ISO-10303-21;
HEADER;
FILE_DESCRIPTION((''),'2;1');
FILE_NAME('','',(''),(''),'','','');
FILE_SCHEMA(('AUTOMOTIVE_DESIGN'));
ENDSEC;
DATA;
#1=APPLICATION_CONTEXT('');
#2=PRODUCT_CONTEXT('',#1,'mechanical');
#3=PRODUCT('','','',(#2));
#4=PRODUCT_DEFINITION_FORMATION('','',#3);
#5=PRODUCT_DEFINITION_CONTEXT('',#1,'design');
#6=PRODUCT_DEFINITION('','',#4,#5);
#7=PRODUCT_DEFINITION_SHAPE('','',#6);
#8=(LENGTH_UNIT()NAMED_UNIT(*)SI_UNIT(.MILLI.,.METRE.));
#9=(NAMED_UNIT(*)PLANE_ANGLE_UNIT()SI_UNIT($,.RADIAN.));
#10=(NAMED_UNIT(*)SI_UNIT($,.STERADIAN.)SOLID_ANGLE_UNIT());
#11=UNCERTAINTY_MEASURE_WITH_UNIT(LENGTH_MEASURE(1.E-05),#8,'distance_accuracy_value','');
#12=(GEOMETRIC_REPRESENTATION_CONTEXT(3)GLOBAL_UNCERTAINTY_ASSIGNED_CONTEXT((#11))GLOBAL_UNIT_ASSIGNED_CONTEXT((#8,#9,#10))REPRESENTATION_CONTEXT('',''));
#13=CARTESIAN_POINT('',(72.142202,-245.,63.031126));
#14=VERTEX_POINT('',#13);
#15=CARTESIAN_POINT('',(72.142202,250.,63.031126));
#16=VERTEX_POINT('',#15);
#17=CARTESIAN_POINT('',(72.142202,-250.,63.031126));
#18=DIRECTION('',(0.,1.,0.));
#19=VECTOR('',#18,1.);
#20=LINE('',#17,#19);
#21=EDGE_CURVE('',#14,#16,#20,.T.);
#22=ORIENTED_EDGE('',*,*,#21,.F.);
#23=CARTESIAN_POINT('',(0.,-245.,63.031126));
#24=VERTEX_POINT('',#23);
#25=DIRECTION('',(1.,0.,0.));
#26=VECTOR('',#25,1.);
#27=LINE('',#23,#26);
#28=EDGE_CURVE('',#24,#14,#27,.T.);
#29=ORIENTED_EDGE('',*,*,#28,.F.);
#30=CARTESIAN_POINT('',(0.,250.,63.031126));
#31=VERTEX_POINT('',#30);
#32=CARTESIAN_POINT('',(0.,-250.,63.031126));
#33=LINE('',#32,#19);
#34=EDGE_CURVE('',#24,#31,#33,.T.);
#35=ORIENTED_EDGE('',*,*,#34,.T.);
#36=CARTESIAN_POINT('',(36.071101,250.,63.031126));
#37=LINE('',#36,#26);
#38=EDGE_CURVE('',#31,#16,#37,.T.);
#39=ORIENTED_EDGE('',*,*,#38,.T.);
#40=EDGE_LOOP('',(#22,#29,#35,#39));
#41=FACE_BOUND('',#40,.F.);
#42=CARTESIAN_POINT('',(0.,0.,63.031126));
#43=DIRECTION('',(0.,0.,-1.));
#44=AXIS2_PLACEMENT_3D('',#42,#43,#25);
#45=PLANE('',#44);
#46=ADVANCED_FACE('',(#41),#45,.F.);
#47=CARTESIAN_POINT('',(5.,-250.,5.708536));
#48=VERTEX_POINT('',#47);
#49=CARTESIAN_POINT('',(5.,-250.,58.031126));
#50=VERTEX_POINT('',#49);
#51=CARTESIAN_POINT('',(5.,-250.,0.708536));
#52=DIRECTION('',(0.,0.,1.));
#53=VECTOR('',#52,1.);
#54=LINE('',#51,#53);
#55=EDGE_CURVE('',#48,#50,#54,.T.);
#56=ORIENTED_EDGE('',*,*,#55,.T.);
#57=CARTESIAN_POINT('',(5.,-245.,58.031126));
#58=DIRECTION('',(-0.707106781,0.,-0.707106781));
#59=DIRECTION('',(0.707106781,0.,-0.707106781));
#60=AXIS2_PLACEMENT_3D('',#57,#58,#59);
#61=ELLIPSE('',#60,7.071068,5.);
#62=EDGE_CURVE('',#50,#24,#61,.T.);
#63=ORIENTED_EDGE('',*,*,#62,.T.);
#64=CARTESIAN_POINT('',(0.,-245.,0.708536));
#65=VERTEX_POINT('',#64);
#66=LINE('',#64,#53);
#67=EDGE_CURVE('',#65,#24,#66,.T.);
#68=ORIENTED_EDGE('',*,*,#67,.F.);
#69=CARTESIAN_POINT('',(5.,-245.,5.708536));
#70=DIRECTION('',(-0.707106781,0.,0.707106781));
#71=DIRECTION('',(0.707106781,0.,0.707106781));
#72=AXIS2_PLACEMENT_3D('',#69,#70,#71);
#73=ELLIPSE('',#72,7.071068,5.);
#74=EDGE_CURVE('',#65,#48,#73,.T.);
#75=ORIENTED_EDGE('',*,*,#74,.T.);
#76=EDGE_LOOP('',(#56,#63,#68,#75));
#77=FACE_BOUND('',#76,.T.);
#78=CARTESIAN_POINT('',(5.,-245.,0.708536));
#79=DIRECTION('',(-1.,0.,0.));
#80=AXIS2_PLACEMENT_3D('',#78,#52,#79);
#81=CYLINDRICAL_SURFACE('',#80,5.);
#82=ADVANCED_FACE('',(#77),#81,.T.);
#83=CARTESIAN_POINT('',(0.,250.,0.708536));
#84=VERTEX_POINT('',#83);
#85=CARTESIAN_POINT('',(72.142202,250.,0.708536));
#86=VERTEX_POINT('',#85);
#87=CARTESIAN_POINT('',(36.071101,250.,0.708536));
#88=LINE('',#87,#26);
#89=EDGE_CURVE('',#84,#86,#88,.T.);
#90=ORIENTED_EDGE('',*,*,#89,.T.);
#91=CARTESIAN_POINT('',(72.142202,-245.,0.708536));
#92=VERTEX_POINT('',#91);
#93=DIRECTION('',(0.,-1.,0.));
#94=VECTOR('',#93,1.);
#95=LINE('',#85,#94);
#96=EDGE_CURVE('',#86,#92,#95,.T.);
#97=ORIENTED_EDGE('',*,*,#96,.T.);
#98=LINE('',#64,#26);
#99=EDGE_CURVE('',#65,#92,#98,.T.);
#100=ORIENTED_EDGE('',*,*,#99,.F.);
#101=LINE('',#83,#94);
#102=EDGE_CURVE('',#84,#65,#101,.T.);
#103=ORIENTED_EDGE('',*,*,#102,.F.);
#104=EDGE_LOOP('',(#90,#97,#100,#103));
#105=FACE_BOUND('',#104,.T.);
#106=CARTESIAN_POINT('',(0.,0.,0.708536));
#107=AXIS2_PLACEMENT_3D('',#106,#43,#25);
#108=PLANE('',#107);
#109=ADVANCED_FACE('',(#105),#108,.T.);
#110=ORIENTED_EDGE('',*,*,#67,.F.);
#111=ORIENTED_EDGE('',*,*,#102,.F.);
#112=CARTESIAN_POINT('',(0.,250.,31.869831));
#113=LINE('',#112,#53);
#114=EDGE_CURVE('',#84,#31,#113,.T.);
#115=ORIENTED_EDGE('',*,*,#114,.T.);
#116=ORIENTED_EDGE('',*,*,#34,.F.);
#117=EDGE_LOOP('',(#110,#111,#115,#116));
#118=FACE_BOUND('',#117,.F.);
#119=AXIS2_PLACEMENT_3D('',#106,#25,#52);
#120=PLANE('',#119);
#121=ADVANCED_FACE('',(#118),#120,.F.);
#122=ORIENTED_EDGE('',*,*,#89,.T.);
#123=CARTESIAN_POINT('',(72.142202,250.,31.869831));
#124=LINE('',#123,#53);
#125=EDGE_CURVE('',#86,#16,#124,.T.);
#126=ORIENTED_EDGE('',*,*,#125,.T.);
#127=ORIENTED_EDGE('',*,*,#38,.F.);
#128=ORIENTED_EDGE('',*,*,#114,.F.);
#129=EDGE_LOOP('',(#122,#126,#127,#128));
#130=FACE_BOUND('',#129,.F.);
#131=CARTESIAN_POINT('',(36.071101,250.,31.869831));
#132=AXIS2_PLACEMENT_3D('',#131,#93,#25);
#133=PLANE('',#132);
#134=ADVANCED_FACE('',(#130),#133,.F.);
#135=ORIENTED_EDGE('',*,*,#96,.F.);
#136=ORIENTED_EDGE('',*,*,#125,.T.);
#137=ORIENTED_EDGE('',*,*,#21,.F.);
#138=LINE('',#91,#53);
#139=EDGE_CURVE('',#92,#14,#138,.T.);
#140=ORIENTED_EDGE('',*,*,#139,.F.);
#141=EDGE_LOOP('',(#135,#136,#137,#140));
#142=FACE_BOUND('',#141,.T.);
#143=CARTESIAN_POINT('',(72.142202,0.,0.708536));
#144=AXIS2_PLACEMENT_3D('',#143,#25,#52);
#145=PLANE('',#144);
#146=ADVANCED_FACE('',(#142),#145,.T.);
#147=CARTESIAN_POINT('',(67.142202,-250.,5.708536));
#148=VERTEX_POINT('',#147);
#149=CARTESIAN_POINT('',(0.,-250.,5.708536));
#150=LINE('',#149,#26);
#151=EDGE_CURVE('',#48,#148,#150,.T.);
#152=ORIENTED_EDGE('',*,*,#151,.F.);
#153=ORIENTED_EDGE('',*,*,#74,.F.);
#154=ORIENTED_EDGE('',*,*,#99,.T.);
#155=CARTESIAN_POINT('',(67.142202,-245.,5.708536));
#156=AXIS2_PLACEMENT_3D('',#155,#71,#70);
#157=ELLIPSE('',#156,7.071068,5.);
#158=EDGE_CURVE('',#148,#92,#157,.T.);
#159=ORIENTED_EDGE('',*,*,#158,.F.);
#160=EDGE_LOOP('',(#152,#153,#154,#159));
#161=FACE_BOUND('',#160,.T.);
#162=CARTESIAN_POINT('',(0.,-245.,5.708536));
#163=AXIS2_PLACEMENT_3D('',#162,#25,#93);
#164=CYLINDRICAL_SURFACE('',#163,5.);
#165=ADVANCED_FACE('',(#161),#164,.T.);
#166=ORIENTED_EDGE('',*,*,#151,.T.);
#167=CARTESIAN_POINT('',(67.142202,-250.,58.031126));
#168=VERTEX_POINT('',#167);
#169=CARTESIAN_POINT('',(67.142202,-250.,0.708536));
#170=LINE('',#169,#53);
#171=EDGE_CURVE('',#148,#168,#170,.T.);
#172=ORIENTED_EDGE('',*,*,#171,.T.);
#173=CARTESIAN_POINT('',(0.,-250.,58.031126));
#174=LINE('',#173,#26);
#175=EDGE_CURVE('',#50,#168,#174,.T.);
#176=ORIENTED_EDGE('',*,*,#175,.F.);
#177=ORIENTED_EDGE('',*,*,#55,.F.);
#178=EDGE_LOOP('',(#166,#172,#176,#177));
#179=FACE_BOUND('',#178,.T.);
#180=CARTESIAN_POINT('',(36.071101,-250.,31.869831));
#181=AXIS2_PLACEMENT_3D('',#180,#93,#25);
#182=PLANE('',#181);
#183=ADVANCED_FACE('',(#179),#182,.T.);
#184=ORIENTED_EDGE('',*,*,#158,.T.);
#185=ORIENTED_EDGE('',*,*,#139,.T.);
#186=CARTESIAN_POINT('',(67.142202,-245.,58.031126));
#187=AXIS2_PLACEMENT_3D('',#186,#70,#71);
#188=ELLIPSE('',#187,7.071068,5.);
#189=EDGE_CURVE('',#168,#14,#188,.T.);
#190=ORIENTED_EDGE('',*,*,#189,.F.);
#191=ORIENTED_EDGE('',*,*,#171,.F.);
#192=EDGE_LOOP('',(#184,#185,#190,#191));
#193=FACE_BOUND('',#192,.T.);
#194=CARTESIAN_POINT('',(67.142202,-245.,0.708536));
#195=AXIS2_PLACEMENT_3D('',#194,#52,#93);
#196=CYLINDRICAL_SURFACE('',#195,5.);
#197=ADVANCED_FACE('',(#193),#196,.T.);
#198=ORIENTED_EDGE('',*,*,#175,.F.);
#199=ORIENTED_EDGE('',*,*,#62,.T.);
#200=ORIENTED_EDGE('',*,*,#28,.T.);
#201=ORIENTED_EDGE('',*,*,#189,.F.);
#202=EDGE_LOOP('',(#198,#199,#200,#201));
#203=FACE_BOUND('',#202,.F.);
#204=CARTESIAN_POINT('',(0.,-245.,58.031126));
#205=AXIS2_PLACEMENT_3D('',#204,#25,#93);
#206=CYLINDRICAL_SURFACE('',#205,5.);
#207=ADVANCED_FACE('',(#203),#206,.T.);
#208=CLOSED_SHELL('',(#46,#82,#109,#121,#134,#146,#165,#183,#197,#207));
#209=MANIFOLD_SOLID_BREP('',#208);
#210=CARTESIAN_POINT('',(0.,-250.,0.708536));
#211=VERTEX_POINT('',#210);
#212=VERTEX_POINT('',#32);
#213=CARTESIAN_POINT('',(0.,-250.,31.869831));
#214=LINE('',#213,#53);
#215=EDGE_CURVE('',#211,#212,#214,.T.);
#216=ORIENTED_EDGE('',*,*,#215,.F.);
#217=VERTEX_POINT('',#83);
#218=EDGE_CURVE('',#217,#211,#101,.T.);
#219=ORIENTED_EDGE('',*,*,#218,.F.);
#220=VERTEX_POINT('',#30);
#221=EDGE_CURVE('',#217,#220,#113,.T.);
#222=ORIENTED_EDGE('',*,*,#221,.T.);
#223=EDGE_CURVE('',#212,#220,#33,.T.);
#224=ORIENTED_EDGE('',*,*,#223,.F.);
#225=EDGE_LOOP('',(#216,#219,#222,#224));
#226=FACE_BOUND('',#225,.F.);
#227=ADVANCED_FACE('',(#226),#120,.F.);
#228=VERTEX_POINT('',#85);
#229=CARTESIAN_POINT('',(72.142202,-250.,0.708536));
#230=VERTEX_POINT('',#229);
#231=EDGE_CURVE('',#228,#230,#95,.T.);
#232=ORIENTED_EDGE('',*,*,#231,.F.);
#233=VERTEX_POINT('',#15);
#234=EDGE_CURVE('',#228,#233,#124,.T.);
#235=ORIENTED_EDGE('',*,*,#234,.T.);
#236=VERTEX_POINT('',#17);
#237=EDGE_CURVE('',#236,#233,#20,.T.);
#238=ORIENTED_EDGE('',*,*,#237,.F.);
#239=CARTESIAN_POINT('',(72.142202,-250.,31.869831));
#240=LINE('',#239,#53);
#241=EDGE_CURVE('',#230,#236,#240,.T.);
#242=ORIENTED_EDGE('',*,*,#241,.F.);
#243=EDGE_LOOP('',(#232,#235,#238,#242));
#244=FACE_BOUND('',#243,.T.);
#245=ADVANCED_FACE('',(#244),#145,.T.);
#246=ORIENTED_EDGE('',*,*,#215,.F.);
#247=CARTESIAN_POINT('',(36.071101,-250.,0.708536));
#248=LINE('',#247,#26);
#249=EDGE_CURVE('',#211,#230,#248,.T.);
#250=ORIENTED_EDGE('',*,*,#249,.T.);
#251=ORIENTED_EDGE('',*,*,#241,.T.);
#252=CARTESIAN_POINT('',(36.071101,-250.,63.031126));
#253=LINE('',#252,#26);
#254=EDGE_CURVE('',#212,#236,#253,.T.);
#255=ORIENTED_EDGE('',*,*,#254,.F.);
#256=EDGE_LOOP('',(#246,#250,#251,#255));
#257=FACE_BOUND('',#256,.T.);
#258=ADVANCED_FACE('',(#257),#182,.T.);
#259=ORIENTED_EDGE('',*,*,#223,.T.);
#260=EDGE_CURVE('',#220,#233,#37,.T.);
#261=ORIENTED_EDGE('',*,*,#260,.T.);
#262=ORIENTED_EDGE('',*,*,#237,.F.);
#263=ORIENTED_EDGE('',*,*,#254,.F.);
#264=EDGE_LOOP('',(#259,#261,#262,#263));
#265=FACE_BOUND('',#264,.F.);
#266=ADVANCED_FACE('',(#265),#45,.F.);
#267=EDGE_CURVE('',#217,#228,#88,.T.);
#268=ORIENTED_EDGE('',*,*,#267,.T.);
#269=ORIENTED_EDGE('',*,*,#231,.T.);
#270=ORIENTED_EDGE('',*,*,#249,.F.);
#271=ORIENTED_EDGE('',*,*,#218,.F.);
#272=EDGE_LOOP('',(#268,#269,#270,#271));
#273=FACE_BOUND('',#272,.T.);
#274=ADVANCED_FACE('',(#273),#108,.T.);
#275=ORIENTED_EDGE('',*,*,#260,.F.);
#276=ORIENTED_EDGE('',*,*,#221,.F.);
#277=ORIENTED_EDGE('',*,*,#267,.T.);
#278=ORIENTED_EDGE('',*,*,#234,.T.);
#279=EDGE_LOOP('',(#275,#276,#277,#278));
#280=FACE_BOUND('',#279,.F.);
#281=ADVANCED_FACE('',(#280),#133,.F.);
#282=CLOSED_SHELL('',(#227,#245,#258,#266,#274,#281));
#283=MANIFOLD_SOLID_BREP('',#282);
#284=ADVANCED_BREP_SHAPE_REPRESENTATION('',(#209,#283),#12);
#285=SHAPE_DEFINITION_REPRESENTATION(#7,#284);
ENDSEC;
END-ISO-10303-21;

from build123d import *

# Parameters (mm, degrees)
F0_W     = 72.1422024071
F0_H     = 62.3225895688
F2_DEPTH = 250
F1_W     = 72.1422024071
F1_H     = 62.3225895688
F3_R     = 5


with BuildPart() as f2:
    # F0 (on Front) → F2 (new body, symmetric)
    with BuildSketch(Plane.XZ):
        with Locations((36.0711012036, 31.8698310293)):
            Rectangle(F0_W, F0_H)
    extrude(amount=F2_DEPTH, both=True)

    # F3
    f3_edges = [f2.edges().sort_by_distance(p)[0] for p in [
        (72.142202, -250, 31.869831),
        (36.071101, -250, 63.031126),
        (0, -250, 31.869831),
        (36.071101, -250, 0.708536),
    ]]
    fillet(f3_edges, radius=F3_R)


with BuildPart() as f2b:
    # F1 (on face) → F2, piece 2 (new body, symmetric)
    with BuildSketch(Plane.XZ):
        with Locations((36.0711012036, 31.8698310293)):
            Rectangle(F1_W, F1_H)
    extrude(amount=F2_DEPTH, both=True)


solid = Compound([f2.part, f2b.part])
